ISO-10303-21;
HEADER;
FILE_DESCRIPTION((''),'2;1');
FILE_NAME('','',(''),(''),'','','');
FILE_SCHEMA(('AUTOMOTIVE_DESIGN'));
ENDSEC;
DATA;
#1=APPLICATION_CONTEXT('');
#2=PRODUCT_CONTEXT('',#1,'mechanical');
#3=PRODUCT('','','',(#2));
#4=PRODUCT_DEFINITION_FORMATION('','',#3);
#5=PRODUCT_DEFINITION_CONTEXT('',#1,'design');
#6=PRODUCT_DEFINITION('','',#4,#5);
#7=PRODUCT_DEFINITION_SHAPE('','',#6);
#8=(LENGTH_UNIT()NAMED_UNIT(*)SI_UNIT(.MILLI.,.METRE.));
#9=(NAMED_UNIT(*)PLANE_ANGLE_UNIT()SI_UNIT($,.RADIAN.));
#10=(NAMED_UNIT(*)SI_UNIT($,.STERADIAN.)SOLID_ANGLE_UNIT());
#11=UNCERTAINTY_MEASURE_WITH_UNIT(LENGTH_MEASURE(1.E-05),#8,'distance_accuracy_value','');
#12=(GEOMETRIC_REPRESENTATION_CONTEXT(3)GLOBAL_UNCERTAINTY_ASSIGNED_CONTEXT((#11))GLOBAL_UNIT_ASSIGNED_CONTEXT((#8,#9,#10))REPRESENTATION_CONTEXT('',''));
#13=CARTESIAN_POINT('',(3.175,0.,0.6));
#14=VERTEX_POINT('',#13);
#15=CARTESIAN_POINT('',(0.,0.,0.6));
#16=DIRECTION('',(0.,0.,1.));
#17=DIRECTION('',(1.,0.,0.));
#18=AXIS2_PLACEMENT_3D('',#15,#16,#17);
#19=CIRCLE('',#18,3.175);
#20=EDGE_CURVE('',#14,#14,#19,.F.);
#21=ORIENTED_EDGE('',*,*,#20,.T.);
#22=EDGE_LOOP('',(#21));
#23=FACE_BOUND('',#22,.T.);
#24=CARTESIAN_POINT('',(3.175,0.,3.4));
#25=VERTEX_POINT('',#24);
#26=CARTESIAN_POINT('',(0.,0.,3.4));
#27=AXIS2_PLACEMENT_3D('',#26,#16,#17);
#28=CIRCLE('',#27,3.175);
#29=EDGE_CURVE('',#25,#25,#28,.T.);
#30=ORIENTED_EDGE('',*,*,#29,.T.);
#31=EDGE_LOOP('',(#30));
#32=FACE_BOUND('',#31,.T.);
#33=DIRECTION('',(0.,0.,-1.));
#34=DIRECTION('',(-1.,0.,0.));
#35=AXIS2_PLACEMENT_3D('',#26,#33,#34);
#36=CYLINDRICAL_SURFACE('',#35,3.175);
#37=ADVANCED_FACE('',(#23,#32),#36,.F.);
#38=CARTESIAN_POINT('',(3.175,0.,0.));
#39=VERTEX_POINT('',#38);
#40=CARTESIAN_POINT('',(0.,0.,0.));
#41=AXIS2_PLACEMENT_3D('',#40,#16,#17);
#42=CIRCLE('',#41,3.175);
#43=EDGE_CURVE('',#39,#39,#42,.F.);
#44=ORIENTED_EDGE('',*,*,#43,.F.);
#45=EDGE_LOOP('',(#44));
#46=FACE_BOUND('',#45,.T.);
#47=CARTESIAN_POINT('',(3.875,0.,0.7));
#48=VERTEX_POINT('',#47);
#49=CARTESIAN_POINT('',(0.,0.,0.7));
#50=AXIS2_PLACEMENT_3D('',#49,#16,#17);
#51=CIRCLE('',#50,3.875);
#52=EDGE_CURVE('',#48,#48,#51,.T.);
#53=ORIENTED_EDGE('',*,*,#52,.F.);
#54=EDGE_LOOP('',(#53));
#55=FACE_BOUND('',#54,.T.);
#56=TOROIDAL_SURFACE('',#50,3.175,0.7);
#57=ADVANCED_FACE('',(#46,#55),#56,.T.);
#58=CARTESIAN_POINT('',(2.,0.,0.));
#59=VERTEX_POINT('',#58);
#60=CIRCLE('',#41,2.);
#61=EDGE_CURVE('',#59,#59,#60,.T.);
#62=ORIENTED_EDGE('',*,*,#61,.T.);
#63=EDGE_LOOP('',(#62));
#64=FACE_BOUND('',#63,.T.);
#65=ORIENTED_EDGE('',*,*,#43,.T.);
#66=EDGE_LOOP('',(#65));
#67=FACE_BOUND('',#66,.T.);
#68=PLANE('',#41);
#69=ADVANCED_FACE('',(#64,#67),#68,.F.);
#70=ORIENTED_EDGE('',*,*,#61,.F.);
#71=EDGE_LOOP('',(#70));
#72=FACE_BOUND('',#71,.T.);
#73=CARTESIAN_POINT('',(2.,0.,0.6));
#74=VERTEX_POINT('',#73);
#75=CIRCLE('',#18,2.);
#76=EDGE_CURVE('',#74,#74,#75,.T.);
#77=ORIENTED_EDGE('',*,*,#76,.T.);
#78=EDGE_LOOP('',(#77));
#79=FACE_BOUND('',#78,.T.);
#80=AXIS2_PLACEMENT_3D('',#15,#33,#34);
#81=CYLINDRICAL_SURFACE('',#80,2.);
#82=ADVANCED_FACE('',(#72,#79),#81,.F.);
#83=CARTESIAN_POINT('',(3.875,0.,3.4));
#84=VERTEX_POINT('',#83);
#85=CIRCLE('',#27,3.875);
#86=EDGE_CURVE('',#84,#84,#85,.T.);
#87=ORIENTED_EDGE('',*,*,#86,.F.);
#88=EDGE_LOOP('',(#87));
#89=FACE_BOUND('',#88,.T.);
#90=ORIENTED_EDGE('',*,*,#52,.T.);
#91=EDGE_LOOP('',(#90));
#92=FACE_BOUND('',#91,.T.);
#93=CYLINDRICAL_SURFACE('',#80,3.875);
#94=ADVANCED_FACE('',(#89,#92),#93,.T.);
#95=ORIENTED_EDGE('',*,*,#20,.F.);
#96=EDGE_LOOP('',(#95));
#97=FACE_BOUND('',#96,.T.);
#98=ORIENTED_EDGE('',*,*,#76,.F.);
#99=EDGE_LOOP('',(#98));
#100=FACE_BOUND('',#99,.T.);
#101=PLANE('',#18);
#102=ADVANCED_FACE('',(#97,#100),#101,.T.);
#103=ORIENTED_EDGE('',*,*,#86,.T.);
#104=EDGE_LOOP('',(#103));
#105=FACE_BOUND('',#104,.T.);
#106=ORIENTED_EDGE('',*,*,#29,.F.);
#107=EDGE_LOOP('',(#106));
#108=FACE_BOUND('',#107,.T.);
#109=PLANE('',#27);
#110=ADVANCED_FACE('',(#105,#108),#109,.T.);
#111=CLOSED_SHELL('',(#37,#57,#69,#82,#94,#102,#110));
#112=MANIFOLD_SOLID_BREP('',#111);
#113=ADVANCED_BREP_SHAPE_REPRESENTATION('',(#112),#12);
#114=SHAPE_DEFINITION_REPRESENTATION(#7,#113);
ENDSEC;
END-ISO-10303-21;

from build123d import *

# Parameters (mm, degrees)
SKETCH1_R           = 3.875
SKETCH1_R_2         = 2
BOSS_EXTRUDE1_DEPTH = 0.6
SKETCH2_R           = 3.875
SKETCH2_R_2         = 3.175
BOSS_EXTRUDE2_DEPTH = 2.8
FILLET1_R           = 0.7


with BuildPart() as part:
    # Sketch1 → Boss-Extrude1 (new body)
    with BuildSketch(Plane(origin=(0, 0, 0), x_dir=(0, 1, 0), z_dir=(0, 0, 1))):
        Circle(SKETCH1_R)
        Circle(SKETCH1_R_2, mode=Mode.SUBTRACT)
    extrude(amount=BOSS_EXTRUDE1_DEPTH)

    # Sketch2 → Boss-Extrude2 (add)
    with BuildSketch(Plane.XY.offset(0.6)):
        Circle(SKETCH2_R)
        Circle(SKETCH2_R_2, mode=Mode.SUBTRACT)
    extrude(amount=BOSS_EXTRUDE2_DEPTH)

    # Fillet1
    fillet1_edges = [part.edges().sort_by_distance(p)[0] for p in [
        (0, -3.875, 0),
    ]]
    fillet(fillet1_edges, radius=FILLET1_R)


solid = part.part
